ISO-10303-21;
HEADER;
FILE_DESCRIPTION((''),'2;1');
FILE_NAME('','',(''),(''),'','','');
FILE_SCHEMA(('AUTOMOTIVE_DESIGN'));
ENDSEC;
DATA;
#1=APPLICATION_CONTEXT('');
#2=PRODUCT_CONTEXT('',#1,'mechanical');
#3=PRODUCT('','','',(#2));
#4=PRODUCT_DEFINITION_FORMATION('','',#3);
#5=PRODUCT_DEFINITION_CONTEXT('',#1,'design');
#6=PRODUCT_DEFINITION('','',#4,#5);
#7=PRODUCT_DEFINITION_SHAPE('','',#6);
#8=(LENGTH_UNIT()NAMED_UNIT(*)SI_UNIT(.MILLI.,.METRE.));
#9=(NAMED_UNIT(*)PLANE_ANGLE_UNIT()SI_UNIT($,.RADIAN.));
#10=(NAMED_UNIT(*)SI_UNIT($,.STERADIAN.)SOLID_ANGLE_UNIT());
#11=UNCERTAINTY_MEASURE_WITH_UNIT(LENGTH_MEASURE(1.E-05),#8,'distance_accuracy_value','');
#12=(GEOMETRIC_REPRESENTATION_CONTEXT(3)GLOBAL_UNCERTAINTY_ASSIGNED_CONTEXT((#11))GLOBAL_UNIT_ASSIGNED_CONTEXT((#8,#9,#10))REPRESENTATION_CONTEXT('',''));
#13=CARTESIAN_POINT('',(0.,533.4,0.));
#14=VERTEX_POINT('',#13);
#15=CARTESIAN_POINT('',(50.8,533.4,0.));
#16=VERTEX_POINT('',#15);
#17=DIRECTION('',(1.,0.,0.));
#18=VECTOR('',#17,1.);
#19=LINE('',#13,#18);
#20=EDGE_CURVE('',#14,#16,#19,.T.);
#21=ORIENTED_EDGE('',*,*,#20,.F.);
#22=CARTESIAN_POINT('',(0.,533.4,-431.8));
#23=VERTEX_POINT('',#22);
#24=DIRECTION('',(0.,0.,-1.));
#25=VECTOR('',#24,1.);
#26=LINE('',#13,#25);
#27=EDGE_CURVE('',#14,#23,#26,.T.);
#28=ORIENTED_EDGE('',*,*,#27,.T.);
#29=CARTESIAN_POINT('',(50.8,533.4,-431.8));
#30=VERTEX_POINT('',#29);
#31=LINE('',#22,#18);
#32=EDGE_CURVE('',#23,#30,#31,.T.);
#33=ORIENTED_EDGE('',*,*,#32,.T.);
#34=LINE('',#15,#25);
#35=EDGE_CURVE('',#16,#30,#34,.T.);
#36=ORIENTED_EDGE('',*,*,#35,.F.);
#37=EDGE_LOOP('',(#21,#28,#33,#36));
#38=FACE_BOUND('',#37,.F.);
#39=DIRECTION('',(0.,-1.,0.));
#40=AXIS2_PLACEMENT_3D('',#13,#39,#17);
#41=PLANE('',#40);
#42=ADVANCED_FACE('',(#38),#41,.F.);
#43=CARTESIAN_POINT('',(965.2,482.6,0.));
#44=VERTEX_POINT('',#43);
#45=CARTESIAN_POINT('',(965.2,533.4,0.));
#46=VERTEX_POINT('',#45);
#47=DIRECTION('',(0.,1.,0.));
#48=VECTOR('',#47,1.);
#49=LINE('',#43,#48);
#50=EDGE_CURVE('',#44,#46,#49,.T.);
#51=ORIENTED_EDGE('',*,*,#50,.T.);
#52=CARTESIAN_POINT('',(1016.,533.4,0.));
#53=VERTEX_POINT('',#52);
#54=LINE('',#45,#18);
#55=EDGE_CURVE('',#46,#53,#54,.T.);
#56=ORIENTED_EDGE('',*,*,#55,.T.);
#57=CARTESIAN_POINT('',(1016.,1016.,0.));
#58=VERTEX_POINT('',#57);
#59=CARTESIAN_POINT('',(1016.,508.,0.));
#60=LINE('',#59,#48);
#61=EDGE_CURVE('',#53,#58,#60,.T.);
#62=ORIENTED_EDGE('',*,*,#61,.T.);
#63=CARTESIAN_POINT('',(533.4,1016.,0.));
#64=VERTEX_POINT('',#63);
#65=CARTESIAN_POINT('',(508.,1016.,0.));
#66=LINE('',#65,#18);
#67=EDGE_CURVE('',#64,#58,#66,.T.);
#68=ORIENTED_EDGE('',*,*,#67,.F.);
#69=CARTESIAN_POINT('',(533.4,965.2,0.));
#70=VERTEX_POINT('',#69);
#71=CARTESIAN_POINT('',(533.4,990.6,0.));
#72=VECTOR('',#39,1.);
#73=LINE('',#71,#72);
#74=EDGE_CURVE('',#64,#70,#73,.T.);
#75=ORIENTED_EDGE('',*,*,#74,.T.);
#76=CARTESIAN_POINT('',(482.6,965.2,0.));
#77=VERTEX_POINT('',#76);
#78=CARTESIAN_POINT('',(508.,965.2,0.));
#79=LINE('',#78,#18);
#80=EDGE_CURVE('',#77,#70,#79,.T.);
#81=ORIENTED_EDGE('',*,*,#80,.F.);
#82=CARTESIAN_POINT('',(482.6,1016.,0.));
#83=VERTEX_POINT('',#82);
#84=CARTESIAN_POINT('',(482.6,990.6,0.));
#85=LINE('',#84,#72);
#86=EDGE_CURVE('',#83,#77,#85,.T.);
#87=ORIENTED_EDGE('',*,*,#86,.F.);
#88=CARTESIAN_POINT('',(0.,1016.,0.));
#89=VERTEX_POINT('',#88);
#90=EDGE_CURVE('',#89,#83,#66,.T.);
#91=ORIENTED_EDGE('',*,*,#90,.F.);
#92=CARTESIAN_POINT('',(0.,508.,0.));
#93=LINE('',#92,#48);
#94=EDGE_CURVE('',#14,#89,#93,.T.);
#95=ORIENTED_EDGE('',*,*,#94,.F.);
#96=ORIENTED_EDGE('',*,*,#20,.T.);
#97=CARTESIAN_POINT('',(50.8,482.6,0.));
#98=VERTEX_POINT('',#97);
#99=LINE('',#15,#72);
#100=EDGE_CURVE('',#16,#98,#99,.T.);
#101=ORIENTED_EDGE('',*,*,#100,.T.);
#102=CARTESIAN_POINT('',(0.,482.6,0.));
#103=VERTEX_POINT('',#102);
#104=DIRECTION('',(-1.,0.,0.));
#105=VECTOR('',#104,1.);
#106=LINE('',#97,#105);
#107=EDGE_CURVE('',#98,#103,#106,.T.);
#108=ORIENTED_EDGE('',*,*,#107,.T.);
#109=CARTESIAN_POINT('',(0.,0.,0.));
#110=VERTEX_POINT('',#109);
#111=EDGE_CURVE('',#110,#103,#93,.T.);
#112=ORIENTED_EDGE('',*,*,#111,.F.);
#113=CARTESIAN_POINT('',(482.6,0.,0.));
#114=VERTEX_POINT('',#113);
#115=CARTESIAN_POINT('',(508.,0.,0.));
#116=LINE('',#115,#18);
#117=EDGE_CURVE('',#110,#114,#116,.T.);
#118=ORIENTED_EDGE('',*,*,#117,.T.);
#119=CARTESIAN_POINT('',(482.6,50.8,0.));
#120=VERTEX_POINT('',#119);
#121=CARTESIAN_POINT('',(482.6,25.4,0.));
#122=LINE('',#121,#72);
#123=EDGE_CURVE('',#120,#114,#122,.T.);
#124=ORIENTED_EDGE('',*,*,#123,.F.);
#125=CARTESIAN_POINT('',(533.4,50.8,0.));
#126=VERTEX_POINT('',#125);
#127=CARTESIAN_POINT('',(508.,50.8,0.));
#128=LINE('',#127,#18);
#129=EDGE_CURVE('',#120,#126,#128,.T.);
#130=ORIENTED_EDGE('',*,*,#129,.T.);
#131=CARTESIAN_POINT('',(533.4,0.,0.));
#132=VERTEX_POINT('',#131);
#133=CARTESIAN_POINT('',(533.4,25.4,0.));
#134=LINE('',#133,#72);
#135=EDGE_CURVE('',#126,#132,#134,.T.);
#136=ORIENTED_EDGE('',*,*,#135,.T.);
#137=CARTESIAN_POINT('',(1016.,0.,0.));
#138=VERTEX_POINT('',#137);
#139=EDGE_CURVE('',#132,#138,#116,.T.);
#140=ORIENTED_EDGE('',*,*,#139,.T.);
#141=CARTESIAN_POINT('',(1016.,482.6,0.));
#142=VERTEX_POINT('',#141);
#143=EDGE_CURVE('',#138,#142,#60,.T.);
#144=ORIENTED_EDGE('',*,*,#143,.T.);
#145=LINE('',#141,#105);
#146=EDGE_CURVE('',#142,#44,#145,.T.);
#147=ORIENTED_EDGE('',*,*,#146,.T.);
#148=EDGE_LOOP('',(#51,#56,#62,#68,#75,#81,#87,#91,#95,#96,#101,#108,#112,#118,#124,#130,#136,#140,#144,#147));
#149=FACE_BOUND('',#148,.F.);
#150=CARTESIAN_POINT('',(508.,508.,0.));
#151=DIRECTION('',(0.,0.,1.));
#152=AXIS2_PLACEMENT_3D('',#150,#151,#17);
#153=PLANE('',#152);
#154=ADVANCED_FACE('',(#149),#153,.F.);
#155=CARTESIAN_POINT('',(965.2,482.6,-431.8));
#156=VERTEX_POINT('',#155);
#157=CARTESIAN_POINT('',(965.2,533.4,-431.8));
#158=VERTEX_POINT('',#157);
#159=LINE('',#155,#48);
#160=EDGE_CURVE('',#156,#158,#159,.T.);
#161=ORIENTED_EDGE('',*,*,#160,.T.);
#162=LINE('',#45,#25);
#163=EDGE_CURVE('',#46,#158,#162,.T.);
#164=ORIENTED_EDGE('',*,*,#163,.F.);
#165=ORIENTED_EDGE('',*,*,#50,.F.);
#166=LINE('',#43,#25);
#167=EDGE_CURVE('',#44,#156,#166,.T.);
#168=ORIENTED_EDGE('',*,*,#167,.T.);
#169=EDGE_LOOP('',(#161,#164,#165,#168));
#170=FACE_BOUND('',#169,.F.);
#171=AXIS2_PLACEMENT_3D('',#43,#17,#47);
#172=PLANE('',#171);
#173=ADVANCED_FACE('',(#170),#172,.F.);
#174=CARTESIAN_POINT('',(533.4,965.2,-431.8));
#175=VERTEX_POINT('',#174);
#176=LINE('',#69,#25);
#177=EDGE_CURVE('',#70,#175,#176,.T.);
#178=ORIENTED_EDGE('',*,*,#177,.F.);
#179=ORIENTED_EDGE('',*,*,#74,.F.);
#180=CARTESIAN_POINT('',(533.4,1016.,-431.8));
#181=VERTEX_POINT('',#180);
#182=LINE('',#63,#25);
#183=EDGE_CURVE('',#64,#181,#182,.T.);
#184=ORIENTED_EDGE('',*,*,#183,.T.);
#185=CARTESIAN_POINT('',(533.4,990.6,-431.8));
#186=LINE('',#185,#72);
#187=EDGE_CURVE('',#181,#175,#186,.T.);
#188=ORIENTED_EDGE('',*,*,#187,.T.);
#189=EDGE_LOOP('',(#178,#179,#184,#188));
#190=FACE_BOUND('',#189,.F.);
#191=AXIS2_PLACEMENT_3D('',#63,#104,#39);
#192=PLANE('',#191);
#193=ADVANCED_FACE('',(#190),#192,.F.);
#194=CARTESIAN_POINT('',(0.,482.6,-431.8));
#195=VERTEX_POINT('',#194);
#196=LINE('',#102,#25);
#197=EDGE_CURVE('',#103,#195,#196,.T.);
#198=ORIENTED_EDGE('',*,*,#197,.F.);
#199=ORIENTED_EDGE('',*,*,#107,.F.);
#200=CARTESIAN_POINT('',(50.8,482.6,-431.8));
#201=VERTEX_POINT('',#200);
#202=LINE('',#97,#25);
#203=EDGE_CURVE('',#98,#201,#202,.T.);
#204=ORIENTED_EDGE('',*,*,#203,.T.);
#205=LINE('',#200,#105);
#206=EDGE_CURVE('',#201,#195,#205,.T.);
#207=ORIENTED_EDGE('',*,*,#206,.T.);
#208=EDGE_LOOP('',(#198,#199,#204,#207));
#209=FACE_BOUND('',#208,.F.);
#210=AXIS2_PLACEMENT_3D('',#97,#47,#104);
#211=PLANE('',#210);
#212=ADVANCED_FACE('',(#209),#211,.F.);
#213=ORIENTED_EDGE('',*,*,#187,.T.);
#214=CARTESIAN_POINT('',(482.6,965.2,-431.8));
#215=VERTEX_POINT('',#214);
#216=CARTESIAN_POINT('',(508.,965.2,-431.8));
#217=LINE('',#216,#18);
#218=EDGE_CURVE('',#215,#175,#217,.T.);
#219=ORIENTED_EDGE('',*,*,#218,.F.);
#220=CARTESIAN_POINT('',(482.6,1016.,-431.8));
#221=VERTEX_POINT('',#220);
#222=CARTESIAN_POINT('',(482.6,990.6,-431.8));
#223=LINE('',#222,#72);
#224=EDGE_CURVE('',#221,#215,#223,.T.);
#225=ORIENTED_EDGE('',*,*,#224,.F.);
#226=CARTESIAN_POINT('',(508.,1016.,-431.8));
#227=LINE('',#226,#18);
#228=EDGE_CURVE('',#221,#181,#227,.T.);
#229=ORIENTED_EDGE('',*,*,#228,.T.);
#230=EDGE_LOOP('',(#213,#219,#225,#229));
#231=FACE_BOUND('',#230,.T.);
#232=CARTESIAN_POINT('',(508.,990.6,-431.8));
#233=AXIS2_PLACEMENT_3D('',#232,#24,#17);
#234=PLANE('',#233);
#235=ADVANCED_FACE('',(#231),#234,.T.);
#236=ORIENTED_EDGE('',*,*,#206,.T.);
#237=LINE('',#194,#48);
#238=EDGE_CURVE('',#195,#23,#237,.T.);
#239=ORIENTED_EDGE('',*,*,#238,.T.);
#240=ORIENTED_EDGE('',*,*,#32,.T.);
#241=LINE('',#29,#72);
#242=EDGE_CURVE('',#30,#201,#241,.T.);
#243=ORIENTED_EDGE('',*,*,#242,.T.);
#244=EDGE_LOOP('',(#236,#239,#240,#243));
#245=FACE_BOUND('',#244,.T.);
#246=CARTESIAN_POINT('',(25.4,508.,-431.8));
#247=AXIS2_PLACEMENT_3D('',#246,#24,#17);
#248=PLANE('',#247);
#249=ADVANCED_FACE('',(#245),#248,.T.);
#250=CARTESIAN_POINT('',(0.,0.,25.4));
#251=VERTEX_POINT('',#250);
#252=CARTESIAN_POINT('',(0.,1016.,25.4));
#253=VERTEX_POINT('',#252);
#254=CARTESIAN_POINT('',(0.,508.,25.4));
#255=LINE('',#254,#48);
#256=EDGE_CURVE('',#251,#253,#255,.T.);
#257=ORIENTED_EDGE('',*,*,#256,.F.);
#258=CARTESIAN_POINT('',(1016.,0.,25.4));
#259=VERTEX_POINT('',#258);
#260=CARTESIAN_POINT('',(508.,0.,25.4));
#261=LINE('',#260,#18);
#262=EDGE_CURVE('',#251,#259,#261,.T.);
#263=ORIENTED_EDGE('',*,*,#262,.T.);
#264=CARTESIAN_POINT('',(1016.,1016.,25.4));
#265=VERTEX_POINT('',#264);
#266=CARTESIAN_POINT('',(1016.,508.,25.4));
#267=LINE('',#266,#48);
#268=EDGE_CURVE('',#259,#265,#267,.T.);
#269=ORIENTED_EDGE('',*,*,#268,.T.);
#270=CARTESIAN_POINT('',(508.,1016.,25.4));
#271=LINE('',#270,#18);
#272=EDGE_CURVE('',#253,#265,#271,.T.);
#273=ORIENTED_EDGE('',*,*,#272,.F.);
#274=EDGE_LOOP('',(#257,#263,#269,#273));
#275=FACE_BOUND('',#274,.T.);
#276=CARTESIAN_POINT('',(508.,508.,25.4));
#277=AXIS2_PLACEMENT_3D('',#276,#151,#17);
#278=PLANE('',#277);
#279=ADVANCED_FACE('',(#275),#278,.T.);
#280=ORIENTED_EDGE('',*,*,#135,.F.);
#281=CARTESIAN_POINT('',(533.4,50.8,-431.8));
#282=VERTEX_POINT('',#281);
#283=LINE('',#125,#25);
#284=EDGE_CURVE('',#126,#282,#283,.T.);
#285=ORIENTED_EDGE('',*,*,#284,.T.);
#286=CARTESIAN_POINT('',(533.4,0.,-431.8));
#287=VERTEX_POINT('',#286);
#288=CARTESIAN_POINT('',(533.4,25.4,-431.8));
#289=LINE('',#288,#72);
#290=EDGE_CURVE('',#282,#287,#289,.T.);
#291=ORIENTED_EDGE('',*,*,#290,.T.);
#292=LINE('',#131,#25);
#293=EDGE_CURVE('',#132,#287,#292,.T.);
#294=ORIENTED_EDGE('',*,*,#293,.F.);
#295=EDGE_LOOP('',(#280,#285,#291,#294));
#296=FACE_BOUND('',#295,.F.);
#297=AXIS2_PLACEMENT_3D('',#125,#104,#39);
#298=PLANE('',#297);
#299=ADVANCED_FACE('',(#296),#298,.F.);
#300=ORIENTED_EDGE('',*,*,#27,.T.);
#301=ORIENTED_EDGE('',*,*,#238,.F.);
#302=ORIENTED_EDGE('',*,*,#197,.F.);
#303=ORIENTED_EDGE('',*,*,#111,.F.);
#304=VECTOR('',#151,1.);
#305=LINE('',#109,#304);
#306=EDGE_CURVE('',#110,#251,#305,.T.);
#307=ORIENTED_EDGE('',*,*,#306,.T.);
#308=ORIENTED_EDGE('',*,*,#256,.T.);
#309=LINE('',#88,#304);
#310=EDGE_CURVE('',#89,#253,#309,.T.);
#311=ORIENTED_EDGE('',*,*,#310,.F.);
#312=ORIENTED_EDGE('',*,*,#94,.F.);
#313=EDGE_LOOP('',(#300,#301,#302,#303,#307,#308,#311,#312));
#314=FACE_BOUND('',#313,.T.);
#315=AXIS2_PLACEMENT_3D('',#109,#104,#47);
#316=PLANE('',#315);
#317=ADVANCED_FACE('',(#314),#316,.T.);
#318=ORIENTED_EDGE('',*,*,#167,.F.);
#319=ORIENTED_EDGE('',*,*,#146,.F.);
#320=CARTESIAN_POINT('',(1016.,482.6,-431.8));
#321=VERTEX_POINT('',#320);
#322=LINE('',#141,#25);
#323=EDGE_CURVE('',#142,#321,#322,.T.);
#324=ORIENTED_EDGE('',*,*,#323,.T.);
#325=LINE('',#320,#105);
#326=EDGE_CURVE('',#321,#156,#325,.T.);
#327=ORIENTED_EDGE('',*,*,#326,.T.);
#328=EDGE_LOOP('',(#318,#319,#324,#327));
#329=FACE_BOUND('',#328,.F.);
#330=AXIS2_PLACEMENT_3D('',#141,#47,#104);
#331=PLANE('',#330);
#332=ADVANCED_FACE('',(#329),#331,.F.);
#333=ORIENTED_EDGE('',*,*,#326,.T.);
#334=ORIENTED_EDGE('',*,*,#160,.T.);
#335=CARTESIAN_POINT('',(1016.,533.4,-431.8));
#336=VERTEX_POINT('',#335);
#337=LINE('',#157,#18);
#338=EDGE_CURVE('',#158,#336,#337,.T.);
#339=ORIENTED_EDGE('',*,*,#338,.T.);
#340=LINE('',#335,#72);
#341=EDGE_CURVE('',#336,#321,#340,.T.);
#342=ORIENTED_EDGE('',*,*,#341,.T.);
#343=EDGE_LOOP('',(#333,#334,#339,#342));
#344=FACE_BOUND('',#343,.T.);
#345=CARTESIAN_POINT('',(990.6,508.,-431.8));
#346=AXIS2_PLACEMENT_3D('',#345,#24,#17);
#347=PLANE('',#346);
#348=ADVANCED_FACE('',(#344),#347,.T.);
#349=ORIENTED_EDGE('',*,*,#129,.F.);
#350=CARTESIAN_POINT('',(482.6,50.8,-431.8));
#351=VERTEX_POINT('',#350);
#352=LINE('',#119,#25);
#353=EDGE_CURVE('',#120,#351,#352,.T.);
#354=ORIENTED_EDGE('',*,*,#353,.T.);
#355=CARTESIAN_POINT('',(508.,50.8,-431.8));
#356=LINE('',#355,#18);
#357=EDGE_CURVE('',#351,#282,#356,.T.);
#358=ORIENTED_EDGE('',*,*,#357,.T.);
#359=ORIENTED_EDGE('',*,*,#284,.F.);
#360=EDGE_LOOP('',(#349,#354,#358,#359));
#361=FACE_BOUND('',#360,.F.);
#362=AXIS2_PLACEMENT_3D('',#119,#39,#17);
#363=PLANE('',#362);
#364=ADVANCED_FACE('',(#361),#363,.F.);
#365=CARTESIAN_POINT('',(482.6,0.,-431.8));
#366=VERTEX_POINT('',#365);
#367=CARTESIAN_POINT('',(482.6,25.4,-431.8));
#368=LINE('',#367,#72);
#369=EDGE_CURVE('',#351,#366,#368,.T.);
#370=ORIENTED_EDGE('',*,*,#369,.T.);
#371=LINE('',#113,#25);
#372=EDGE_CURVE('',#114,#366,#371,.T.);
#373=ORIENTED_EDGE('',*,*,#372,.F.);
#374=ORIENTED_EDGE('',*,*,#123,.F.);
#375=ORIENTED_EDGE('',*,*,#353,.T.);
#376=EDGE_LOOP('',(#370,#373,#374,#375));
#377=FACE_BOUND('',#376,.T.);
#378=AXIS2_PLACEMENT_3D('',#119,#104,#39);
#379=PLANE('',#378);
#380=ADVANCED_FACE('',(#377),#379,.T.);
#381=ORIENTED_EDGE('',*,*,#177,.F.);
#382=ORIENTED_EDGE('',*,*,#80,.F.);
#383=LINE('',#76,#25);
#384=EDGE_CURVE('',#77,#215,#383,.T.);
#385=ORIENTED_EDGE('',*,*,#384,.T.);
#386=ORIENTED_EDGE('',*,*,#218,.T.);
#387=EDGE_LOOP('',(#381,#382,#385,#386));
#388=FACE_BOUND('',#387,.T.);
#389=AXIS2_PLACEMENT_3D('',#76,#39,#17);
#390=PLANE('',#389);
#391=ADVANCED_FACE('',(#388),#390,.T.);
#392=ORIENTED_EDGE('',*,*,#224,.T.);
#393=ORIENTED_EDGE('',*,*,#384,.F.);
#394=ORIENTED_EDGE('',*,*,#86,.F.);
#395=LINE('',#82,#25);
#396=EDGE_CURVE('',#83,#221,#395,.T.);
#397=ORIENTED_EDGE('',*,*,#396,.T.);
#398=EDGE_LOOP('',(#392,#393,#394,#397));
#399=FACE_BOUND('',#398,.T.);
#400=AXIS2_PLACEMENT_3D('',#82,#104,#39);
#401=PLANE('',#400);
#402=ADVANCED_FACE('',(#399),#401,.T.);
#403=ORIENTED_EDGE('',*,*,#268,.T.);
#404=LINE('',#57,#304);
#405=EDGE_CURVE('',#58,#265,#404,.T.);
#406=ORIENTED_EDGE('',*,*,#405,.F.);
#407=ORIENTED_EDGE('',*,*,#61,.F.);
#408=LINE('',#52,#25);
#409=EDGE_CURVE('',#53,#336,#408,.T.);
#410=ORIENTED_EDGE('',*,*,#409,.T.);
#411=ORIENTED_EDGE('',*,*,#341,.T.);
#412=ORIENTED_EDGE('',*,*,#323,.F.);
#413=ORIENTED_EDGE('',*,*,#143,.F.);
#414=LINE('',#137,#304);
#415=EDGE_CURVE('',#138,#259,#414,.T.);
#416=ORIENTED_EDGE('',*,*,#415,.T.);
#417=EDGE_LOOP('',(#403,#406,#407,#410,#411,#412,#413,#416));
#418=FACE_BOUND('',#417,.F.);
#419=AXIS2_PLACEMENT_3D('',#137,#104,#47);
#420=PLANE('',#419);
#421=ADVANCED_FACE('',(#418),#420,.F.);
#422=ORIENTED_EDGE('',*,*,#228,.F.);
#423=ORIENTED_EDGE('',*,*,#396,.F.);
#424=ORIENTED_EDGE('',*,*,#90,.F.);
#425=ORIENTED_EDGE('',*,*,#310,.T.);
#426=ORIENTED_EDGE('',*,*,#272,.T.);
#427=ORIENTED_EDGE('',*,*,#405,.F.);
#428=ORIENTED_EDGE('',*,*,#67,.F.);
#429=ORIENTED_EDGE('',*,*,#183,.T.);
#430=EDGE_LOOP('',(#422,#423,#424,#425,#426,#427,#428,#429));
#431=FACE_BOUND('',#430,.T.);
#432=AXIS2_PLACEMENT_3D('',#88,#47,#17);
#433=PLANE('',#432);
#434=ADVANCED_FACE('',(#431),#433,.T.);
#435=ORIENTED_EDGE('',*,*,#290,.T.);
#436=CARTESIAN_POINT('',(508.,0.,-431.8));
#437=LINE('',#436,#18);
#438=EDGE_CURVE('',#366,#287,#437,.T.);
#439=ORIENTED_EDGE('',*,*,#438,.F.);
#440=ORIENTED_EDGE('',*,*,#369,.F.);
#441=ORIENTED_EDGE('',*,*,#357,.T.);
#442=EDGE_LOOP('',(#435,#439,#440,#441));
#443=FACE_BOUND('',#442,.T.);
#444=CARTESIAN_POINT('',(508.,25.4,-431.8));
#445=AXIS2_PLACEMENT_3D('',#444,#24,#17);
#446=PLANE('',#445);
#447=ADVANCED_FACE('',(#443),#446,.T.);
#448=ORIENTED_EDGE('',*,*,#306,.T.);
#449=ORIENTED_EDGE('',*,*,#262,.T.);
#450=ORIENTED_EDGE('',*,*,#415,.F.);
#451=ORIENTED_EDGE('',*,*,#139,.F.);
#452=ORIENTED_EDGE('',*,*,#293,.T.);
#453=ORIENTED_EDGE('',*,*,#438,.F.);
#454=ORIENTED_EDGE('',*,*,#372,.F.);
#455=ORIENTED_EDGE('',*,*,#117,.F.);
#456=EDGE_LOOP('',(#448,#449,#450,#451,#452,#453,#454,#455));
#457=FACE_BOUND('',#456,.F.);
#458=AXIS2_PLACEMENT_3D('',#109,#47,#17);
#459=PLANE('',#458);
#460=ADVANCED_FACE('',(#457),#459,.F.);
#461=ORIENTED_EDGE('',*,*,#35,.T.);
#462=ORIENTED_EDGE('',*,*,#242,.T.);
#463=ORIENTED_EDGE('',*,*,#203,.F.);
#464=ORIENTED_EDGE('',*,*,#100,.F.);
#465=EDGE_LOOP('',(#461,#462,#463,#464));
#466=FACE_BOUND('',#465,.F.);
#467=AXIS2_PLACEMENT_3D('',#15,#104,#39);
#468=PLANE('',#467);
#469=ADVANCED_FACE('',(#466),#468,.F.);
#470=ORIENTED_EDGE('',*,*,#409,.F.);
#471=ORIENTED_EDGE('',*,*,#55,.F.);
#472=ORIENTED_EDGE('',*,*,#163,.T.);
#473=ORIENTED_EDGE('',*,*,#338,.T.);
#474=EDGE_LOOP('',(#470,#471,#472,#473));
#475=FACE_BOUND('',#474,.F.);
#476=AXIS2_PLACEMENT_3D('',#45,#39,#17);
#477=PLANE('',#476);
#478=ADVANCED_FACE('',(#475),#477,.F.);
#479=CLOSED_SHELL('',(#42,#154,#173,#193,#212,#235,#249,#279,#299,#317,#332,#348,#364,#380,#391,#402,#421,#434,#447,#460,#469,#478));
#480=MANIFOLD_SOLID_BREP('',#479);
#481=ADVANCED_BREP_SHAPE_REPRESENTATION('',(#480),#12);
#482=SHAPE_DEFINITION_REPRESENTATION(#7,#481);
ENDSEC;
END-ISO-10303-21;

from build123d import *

# Parameters (mm, degrees)
F0_W     = 1016
F0_H     = 1016
F1_DEPTH = 25.4
F2_W     = 50.8
F2_H     = 50.8
F3_DEPTH = 431.8


with BuildPart() as f1:
    # F0 (on Top) → F1 (new body)
    with BuildSketch(Plane.XY):
        with Locations((508, 508)):
            Rectangle(F0_W, F0_H)
    extrude(amount=F1_DEPTH)

    # F2 (on face) → F3 (join)
    with BuildSketch(Plane(origin=(0, 0, 0), x_dir=(1, 0, 0), z_dir=(0, 0, -1))):
        Polygon((50.8, -482.6), (0, -482.6), (0, -508), (0, -533.4), (50.8, -533.4), align=None)
        Polygon((1016, -533.4), (1016, -508), (1016, -482.6), (965.2, -482.6), (965.2, -533.4), align=None)
        with Locations((508, -990.6)):
            Rectangle(F2_W, F2_H)
        with Locations((508, -25.4)):
            Rectangle(F2_W, F2_H)
    extrude(amount=F3_DEPTH)


solid = f1.part
